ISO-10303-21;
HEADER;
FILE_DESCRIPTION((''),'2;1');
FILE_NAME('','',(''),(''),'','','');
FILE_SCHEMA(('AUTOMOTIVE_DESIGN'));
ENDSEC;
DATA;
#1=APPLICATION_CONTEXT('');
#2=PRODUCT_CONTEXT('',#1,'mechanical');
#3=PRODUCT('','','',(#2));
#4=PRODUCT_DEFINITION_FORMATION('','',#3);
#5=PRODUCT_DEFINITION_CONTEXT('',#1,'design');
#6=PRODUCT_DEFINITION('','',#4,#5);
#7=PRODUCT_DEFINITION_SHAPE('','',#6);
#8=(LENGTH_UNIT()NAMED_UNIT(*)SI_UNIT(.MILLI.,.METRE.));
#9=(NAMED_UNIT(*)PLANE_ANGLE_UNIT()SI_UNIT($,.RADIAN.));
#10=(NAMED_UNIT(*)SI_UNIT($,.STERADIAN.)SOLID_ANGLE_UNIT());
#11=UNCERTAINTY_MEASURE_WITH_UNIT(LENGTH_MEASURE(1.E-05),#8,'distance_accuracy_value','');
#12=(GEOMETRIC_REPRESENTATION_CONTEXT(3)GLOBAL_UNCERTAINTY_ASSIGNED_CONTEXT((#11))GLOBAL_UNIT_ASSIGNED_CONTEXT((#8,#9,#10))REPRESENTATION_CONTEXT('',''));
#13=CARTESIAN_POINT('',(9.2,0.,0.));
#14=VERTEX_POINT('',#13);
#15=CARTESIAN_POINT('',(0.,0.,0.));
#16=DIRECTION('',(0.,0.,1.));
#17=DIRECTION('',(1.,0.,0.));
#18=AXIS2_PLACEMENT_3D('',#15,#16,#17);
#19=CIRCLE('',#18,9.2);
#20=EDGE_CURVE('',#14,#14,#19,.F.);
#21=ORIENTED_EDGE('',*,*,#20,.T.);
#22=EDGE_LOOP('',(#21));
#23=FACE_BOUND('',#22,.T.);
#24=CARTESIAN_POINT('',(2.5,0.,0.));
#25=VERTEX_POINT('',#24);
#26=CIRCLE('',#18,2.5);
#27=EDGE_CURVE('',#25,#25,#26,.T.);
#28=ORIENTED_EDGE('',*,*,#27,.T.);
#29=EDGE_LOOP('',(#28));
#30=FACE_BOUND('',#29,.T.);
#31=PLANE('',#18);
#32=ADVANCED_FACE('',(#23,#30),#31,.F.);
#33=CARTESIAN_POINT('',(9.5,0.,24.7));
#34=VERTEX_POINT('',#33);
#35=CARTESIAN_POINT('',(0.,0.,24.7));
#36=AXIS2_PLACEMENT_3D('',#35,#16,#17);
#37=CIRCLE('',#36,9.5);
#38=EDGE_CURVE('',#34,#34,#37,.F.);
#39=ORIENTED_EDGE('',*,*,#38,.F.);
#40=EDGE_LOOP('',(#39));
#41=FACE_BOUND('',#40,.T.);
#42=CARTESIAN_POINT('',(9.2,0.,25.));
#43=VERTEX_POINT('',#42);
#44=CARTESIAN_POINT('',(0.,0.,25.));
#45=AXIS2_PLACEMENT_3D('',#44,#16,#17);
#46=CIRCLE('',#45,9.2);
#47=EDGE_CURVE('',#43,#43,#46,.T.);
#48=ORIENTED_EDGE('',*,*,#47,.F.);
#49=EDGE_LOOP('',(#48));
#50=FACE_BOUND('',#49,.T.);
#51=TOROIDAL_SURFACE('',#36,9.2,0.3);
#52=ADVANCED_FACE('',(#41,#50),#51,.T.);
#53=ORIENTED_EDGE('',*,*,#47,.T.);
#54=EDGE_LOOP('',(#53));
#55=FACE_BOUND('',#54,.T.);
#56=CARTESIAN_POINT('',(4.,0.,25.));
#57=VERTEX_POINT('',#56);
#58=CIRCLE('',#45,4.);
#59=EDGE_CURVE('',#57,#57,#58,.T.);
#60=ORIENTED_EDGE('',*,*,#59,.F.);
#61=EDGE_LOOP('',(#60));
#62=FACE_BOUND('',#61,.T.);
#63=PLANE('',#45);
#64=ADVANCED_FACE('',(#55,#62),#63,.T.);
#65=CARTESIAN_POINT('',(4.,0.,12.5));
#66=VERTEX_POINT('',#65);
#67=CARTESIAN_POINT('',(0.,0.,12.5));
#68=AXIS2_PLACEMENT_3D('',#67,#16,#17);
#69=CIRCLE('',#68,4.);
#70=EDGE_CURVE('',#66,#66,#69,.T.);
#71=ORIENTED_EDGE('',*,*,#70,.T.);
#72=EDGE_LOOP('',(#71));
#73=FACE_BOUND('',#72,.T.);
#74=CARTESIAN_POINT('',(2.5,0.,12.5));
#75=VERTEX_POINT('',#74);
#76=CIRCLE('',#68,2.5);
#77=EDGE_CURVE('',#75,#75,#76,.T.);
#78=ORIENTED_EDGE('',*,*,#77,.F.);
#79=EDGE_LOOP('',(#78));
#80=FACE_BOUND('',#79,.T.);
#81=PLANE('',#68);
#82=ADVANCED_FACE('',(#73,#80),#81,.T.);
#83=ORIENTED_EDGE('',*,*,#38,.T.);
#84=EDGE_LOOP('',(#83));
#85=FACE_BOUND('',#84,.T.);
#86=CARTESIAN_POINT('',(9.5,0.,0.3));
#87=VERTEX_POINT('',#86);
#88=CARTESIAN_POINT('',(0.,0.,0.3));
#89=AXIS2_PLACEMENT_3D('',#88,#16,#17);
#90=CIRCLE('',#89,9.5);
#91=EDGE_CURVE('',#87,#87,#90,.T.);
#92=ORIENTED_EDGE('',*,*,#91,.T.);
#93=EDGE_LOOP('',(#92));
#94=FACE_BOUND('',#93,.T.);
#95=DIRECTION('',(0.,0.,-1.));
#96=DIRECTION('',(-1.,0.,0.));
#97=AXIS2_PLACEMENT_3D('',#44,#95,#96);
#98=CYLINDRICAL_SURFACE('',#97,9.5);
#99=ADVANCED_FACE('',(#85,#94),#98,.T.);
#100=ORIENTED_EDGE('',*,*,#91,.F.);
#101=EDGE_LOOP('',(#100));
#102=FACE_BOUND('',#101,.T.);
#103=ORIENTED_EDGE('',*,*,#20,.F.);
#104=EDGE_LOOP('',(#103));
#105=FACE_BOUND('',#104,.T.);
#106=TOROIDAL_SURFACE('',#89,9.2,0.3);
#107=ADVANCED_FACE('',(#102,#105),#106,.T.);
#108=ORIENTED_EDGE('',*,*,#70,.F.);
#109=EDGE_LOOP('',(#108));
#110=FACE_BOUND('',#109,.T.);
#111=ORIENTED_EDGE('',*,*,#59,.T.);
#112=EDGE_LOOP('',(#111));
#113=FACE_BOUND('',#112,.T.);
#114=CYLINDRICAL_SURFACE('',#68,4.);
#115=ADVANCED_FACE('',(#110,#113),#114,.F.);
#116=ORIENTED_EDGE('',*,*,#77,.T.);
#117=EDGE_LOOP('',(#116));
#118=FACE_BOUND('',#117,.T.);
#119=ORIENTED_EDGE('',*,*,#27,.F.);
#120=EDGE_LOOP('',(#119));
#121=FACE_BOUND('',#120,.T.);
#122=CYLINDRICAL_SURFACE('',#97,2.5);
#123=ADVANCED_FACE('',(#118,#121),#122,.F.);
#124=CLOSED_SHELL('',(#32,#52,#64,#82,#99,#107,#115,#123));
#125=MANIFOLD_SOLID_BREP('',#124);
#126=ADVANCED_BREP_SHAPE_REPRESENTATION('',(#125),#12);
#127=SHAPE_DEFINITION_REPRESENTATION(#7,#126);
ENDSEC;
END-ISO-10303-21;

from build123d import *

# Parameters (mm, degrees)
SKETCH_1_R          = 9.5
SKETCH_1_R_2        = 2.5
EXTRUDE_1_DEPTH     = 25
SKETCH_2_R          = 4
CUT_EXTRUDE_1_DEPTH = 12.5
FILLET_1_R          = 0.3


with BuildPart() as part:
    # 草图1 → 凸台-拉伸1 (new body)
    with BuildSketch(Plane.XY):
        Circle(SKETCH_1_R)
        Circle(SKETCH_1_R_2, mode=Mode.SUBTRACT)
    extrude(amount=EXTRUDE_1_DEPTH)

    # 草图2 → 切除-拉伸1 (cut)
    with BuildSketch(Plane.XY.offset(25)):
        Circle(SKETCH_2_R)
    extrude(amount=-CUT_EXTRUDE_1_DEPTH, mode=Mode.SUBTRACT)

    # 圆角1
    fillet_1_edges = [part.edges().sort_by_distance(p)[0] for p in [
        (-9.5, 0, 0),
        (-9.5, 0, 25),
    ]]
    fillet(fillet_1_edges, radius=FILLET_1_R)


solid = part.part
